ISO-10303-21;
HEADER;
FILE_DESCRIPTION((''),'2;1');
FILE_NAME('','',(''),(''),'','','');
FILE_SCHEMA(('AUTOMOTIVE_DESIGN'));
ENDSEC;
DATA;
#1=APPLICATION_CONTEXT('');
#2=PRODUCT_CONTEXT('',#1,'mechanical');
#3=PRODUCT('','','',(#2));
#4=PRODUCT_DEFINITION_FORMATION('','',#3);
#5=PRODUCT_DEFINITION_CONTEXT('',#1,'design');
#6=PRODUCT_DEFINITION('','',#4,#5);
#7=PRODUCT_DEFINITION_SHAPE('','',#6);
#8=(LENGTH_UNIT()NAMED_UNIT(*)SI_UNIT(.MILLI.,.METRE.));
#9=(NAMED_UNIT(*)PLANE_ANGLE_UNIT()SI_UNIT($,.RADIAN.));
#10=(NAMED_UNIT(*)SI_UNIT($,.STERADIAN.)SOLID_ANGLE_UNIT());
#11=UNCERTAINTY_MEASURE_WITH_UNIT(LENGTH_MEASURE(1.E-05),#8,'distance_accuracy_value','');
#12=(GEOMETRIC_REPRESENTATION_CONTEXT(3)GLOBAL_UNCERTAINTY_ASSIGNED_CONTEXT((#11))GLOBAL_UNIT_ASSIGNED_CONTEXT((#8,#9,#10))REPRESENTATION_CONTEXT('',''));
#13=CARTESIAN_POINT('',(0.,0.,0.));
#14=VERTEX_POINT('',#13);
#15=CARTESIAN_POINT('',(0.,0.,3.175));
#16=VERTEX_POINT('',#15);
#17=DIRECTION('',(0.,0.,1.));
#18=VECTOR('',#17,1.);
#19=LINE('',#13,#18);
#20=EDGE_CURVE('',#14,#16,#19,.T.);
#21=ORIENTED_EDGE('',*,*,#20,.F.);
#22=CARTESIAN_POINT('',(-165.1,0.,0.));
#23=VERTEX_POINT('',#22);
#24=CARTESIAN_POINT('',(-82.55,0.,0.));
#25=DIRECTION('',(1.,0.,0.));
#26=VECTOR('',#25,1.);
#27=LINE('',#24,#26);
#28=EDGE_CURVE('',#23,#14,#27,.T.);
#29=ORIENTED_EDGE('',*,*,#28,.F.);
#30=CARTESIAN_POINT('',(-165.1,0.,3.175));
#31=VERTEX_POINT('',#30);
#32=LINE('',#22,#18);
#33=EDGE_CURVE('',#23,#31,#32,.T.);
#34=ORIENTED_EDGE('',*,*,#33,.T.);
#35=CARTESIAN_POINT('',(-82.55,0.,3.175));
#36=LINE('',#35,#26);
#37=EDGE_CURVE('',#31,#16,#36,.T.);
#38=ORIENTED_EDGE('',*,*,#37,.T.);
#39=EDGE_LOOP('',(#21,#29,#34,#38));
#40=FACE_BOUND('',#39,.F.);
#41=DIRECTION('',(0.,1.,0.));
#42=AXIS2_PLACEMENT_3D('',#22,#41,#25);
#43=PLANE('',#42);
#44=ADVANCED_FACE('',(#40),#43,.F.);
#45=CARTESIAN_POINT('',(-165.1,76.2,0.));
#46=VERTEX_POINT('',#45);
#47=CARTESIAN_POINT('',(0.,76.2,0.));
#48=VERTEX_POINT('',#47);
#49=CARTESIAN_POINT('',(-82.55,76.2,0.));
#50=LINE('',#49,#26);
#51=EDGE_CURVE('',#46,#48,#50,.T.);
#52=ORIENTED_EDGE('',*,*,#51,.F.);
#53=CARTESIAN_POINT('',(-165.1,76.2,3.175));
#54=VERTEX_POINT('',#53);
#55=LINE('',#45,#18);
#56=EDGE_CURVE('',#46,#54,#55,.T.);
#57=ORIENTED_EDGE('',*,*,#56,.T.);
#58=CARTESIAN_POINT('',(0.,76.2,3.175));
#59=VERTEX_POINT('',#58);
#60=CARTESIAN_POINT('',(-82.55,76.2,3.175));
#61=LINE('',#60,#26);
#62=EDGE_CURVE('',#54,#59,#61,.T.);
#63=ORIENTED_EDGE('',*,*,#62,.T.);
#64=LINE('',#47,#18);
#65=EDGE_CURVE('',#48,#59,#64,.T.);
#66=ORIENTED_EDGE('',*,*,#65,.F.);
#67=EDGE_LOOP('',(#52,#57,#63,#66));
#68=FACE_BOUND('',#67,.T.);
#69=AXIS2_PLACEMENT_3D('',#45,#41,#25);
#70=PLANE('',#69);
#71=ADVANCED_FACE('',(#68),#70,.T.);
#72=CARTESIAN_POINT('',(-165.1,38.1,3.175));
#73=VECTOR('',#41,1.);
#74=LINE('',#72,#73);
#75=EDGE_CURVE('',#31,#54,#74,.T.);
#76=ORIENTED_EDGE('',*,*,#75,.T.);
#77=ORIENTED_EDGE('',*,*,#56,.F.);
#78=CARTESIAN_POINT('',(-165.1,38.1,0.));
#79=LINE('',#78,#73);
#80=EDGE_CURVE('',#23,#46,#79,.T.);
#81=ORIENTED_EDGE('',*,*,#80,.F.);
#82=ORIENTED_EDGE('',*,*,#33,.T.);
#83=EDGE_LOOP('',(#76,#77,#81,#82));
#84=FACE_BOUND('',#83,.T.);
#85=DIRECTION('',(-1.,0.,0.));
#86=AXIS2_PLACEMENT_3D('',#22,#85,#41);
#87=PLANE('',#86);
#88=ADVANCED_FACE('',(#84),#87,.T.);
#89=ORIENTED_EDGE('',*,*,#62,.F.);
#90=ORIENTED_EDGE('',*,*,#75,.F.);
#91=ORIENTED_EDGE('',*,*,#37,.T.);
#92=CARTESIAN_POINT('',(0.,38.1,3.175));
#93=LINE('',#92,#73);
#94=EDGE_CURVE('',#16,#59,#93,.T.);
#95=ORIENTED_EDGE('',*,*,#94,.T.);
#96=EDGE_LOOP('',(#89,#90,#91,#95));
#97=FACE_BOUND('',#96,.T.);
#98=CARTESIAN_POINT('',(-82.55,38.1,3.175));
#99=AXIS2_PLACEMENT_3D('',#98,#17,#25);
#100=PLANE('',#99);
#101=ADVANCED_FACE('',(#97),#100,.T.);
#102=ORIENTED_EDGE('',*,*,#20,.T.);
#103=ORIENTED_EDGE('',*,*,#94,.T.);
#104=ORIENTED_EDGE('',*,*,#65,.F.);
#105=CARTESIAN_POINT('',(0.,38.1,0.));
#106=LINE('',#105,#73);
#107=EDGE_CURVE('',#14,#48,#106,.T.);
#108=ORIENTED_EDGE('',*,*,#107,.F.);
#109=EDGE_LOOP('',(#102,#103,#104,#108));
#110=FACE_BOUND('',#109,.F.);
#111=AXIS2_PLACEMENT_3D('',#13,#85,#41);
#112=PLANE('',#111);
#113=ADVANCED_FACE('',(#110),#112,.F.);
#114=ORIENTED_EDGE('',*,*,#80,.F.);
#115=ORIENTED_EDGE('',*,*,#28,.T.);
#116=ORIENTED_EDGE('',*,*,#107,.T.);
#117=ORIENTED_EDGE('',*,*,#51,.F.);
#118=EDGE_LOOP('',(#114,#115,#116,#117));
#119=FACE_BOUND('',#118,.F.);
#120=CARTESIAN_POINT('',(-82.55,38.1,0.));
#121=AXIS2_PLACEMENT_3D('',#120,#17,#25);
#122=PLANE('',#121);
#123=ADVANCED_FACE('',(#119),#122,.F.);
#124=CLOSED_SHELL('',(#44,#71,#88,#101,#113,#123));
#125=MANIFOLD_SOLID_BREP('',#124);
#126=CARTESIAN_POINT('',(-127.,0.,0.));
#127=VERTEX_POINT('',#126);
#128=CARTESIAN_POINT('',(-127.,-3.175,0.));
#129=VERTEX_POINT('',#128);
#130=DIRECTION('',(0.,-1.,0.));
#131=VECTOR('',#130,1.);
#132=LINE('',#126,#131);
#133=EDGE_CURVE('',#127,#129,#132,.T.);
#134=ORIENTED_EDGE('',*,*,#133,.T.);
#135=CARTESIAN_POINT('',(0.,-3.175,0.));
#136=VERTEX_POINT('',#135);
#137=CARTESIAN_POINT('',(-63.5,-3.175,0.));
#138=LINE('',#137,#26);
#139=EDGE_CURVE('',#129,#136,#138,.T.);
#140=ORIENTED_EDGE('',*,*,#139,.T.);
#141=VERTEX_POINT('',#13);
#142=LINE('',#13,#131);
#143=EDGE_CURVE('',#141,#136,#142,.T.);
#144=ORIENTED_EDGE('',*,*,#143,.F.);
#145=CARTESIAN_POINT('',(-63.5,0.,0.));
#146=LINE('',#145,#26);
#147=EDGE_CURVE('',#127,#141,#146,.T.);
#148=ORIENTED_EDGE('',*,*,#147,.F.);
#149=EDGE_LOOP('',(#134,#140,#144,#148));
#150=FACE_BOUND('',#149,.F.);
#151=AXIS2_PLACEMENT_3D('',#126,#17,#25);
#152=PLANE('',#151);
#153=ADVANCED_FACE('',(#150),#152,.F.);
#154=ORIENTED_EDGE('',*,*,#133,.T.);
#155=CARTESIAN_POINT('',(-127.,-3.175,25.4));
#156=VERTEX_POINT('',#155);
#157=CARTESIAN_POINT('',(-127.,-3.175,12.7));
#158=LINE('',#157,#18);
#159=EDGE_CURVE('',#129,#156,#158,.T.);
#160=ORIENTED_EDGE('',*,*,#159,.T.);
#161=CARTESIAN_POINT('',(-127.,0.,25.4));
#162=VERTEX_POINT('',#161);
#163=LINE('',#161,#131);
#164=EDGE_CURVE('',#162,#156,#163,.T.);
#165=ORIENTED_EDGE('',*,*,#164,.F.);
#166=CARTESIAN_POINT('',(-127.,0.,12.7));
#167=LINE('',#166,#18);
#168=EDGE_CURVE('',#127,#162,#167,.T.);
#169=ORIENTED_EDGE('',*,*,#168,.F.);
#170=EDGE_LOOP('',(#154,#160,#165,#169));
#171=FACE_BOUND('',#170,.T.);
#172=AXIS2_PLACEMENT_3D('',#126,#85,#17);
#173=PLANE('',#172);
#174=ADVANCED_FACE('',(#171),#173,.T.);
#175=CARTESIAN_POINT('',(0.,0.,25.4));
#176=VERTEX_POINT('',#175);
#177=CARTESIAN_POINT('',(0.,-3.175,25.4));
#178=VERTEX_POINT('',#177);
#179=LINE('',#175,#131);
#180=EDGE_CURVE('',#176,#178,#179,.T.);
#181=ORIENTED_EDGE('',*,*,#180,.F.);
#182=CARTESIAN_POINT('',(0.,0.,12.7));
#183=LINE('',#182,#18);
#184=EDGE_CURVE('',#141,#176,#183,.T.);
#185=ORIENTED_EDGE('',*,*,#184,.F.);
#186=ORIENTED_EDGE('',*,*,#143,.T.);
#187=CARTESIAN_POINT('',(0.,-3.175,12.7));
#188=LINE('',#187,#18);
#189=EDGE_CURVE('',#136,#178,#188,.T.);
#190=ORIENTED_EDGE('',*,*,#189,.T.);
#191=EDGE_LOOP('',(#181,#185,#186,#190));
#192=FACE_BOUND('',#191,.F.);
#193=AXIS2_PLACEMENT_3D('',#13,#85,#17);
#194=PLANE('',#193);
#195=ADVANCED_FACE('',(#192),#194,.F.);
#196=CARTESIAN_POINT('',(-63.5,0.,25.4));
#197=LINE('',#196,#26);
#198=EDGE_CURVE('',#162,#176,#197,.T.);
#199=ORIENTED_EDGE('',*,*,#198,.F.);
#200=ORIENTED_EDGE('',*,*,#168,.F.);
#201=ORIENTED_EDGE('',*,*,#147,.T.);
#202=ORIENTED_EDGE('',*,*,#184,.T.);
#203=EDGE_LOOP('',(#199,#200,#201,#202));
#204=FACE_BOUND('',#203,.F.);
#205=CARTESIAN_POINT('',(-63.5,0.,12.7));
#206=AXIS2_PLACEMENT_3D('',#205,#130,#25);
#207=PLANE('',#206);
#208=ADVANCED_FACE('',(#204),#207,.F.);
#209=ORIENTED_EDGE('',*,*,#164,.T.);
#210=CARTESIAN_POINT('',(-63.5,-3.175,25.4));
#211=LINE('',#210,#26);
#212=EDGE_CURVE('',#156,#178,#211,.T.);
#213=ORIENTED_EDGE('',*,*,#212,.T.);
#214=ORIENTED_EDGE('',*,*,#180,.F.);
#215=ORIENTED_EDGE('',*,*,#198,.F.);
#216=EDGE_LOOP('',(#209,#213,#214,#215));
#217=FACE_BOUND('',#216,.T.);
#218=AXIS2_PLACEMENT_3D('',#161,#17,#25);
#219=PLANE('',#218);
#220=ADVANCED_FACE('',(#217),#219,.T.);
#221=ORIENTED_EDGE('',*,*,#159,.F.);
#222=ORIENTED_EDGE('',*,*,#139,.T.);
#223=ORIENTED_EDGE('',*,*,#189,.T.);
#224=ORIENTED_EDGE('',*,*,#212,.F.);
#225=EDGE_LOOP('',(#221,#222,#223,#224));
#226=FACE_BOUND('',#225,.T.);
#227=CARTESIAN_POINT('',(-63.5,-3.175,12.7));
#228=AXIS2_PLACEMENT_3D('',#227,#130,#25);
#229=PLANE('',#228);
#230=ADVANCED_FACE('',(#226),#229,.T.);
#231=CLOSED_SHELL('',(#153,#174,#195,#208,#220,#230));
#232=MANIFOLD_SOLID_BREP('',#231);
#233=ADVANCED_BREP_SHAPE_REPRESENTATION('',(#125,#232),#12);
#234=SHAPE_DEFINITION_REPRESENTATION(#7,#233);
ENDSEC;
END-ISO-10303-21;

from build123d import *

# Parameters (mm, degrees)
F0_W     = 165.1
F0_H     = 76.2
F1_DEPTH = 3.175
F2_W     = 127
F2_H     = 25.4
F3_DEPTH = 3.175


with BuildPart() as f1:
    # F0 (on Top) → F1 (new body)
    with BuildSketch(Plane.XY):
        with Locations((-82.55, 38.1)):
            Rectangle(F0_W, F0_H)
    extrude(amount=F1_DEPTH)


with BuildPart() as f3:
    # F2 (on face) → F3 (new body)
    with BuildSketch(Plane.XZ):
        with Locations((-63.5, 12.7)):
            Rectangle(F2_W, F2_H)
    extrude(amount=F3_DEPTH)


solid = Compound([f1.part, f3.part])
